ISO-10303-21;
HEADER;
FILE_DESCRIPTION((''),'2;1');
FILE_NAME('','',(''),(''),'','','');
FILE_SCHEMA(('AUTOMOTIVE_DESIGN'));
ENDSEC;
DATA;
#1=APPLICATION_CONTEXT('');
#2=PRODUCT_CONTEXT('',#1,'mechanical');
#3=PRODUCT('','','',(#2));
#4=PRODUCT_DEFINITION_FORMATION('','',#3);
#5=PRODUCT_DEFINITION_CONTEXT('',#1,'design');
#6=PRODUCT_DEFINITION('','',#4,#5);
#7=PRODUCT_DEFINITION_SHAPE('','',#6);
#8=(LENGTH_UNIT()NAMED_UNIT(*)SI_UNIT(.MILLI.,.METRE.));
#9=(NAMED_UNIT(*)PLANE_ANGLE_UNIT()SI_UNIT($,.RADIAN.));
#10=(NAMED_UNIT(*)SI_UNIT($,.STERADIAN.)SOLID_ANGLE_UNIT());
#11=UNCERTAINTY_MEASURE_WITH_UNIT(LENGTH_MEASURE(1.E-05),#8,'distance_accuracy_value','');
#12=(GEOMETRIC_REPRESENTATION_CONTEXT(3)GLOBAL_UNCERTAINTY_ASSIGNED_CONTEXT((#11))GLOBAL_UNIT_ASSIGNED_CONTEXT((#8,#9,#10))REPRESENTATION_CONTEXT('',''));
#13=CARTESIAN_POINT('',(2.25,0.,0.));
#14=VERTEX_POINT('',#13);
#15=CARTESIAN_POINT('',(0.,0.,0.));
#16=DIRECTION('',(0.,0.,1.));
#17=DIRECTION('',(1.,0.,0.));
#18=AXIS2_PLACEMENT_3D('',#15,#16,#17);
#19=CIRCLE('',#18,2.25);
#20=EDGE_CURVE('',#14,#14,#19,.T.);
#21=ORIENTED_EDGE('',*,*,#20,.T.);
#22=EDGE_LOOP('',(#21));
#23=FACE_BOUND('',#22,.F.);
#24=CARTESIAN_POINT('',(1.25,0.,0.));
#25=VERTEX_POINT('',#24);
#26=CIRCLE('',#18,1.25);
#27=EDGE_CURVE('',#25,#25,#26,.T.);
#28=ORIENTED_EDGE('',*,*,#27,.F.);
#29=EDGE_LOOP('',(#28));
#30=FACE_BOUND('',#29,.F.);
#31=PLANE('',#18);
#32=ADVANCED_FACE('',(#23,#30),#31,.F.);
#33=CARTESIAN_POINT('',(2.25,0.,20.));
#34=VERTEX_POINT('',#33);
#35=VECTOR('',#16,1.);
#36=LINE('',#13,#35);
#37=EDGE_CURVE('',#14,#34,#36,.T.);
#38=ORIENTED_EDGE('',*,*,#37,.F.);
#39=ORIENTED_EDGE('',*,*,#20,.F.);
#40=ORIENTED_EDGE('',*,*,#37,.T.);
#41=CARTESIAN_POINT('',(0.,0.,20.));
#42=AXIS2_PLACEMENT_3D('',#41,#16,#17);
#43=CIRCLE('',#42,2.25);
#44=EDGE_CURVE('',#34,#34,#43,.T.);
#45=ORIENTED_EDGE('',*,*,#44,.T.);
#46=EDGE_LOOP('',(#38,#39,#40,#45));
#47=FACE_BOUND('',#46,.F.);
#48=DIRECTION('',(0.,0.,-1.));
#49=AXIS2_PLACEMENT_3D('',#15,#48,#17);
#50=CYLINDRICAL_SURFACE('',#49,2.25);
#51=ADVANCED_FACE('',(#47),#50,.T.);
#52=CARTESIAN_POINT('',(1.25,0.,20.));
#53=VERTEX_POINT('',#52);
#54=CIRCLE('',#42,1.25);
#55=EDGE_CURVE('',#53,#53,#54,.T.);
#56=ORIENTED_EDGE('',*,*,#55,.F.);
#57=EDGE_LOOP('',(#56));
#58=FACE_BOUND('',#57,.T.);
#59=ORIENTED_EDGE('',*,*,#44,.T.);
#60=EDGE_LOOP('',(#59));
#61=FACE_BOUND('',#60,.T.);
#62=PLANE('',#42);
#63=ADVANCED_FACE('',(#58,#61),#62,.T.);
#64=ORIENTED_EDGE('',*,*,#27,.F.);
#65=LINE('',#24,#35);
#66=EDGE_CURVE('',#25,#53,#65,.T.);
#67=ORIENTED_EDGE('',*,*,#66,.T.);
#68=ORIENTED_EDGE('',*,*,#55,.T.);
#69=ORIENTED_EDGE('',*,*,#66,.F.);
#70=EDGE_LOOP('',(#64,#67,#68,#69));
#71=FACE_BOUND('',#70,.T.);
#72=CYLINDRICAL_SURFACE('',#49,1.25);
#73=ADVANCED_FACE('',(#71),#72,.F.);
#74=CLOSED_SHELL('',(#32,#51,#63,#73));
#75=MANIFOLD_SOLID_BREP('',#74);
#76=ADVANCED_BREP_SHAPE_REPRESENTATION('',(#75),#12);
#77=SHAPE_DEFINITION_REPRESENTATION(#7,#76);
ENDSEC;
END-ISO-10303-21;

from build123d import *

# Parameters (mm, degrees)
SKETCH_R   = 2.25
SKETCH_R_2 = 1.25
PAD_DEPTH  = 20


with BuildPart() as part:
    # Sketch → Pad (new body)
    with BuildSketch(Plane.XY):
        Circle(SKETCH_R)
        Circle(SKETCH_R_2, mode=Mode.SUBTRACT)
    extrude(amount=PAD_DEPTH)


solid = part.part
